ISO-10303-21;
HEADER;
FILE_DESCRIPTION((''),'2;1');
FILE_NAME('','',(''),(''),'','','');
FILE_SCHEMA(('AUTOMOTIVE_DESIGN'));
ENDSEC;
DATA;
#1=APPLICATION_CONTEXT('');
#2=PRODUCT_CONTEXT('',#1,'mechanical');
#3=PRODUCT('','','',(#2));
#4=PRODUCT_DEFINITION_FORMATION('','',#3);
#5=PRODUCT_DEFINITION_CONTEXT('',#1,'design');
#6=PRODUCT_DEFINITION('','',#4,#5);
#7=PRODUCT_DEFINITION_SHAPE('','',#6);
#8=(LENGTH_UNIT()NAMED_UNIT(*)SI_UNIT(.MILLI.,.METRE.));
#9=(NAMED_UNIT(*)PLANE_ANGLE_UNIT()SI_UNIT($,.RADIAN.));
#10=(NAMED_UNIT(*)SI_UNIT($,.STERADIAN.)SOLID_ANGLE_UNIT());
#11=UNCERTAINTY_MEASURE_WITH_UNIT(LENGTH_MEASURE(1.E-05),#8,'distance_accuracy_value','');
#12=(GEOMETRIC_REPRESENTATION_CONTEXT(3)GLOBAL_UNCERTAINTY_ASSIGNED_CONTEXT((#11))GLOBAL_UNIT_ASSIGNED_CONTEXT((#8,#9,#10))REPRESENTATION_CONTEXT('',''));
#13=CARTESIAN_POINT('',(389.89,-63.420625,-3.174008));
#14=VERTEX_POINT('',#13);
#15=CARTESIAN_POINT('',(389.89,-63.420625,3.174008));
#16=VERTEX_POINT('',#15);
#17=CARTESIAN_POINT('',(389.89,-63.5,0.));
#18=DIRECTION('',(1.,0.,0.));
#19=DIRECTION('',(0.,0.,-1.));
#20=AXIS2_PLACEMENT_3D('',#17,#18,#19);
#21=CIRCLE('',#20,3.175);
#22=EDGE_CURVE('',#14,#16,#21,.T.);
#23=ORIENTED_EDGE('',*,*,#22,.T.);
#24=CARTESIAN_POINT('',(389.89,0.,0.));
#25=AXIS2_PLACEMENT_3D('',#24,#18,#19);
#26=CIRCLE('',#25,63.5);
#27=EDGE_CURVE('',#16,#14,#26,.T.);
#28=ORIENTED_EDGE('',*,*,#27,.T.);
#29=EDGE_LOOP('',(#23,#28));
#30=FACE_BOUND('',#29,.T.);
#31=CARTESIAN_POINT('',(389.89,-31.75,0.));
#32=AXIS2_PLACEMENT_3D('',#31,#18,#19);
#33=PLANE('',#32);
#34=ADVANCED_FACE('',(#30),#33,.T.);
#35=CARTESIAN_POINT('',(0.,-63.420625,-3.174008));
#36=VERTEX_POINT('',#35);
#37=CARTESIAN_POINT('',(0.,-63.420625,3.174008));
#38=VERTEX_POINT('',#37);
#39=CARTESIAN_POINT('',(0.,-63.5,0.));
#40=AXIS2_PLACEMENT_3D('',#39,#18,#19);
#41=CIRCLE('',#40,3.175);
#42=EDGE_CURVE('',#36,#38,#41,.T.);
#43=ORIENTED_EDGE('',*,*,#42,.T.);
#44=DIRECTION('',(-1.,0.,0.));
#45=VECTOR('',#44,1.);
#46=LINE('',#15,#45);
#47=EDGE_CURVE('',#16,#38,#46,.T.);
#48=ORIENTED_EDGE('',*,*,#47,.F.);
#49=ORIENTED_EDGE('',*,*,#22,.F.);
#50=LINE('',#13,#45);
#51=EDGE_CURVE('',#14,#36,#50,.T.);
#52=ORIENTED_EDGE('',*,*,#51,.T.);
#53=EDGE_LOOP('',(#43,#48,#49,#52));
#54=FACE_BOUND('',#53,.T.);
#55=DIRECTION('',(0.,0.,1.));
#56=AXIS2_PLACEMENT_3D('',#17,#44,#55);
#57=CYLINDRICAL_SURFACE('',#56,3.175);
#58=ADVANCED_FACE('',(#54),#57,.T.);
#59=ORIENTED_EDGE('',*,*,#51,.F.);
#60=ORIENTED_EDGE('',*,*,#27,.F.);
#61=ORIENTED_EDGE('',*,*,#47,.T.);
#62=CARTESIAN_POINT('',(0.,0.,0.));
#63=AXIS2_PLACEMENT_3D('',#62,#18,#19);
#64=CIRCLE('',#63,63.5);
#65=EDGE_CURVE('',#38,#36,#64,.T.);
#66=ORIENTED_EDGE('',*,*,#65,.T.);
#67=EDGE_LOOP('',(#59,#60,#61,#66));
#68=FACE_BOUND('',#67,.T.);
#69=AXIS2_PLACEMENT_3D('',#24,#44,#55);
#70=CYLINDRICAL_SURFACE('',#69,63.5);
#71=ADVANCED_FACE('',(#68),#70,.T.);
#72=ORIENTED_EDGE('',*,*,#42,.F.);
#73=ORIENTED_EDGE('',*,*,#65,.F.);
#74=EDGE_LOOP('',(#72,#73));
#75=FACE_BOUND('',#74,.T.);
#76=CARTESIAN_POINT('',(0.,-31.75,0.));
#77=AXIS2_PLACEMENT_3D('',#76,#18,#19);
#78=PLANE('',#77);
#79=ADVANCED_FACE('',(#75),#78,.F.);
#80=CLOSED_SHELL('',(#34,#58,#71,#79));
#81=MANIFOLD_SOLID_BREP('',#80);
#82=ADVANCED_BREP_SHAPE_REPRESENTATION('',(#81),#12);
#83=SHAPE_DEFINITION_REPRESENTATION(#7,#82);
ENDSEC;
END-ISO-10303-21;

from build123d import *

# Parameters (mm, degrees)
BOSS_EXTRUDE1_DEPTH = 389.89


with BuildPart() as part:
    # Sketch1 → Boss-Extrude1 (new body)
    with BuildSketch(Plane(origin=(0, 0, 0), x_dir=(0, 0, -1), z_dir=(1, 0, 0))):
        with BuildLine():
            ThreePointArc((-3.174007657, -63.420625), (0, -63.5), (3.174007657, -63.420625))
            ThreePointArc((3.174007657, -63.420625), (0, -60.325), (-3.174007657, -63.420625))
        make_face()
    extrude(amount=BOSS_EXTRUDE1_DEPTH)


solid = part.part
